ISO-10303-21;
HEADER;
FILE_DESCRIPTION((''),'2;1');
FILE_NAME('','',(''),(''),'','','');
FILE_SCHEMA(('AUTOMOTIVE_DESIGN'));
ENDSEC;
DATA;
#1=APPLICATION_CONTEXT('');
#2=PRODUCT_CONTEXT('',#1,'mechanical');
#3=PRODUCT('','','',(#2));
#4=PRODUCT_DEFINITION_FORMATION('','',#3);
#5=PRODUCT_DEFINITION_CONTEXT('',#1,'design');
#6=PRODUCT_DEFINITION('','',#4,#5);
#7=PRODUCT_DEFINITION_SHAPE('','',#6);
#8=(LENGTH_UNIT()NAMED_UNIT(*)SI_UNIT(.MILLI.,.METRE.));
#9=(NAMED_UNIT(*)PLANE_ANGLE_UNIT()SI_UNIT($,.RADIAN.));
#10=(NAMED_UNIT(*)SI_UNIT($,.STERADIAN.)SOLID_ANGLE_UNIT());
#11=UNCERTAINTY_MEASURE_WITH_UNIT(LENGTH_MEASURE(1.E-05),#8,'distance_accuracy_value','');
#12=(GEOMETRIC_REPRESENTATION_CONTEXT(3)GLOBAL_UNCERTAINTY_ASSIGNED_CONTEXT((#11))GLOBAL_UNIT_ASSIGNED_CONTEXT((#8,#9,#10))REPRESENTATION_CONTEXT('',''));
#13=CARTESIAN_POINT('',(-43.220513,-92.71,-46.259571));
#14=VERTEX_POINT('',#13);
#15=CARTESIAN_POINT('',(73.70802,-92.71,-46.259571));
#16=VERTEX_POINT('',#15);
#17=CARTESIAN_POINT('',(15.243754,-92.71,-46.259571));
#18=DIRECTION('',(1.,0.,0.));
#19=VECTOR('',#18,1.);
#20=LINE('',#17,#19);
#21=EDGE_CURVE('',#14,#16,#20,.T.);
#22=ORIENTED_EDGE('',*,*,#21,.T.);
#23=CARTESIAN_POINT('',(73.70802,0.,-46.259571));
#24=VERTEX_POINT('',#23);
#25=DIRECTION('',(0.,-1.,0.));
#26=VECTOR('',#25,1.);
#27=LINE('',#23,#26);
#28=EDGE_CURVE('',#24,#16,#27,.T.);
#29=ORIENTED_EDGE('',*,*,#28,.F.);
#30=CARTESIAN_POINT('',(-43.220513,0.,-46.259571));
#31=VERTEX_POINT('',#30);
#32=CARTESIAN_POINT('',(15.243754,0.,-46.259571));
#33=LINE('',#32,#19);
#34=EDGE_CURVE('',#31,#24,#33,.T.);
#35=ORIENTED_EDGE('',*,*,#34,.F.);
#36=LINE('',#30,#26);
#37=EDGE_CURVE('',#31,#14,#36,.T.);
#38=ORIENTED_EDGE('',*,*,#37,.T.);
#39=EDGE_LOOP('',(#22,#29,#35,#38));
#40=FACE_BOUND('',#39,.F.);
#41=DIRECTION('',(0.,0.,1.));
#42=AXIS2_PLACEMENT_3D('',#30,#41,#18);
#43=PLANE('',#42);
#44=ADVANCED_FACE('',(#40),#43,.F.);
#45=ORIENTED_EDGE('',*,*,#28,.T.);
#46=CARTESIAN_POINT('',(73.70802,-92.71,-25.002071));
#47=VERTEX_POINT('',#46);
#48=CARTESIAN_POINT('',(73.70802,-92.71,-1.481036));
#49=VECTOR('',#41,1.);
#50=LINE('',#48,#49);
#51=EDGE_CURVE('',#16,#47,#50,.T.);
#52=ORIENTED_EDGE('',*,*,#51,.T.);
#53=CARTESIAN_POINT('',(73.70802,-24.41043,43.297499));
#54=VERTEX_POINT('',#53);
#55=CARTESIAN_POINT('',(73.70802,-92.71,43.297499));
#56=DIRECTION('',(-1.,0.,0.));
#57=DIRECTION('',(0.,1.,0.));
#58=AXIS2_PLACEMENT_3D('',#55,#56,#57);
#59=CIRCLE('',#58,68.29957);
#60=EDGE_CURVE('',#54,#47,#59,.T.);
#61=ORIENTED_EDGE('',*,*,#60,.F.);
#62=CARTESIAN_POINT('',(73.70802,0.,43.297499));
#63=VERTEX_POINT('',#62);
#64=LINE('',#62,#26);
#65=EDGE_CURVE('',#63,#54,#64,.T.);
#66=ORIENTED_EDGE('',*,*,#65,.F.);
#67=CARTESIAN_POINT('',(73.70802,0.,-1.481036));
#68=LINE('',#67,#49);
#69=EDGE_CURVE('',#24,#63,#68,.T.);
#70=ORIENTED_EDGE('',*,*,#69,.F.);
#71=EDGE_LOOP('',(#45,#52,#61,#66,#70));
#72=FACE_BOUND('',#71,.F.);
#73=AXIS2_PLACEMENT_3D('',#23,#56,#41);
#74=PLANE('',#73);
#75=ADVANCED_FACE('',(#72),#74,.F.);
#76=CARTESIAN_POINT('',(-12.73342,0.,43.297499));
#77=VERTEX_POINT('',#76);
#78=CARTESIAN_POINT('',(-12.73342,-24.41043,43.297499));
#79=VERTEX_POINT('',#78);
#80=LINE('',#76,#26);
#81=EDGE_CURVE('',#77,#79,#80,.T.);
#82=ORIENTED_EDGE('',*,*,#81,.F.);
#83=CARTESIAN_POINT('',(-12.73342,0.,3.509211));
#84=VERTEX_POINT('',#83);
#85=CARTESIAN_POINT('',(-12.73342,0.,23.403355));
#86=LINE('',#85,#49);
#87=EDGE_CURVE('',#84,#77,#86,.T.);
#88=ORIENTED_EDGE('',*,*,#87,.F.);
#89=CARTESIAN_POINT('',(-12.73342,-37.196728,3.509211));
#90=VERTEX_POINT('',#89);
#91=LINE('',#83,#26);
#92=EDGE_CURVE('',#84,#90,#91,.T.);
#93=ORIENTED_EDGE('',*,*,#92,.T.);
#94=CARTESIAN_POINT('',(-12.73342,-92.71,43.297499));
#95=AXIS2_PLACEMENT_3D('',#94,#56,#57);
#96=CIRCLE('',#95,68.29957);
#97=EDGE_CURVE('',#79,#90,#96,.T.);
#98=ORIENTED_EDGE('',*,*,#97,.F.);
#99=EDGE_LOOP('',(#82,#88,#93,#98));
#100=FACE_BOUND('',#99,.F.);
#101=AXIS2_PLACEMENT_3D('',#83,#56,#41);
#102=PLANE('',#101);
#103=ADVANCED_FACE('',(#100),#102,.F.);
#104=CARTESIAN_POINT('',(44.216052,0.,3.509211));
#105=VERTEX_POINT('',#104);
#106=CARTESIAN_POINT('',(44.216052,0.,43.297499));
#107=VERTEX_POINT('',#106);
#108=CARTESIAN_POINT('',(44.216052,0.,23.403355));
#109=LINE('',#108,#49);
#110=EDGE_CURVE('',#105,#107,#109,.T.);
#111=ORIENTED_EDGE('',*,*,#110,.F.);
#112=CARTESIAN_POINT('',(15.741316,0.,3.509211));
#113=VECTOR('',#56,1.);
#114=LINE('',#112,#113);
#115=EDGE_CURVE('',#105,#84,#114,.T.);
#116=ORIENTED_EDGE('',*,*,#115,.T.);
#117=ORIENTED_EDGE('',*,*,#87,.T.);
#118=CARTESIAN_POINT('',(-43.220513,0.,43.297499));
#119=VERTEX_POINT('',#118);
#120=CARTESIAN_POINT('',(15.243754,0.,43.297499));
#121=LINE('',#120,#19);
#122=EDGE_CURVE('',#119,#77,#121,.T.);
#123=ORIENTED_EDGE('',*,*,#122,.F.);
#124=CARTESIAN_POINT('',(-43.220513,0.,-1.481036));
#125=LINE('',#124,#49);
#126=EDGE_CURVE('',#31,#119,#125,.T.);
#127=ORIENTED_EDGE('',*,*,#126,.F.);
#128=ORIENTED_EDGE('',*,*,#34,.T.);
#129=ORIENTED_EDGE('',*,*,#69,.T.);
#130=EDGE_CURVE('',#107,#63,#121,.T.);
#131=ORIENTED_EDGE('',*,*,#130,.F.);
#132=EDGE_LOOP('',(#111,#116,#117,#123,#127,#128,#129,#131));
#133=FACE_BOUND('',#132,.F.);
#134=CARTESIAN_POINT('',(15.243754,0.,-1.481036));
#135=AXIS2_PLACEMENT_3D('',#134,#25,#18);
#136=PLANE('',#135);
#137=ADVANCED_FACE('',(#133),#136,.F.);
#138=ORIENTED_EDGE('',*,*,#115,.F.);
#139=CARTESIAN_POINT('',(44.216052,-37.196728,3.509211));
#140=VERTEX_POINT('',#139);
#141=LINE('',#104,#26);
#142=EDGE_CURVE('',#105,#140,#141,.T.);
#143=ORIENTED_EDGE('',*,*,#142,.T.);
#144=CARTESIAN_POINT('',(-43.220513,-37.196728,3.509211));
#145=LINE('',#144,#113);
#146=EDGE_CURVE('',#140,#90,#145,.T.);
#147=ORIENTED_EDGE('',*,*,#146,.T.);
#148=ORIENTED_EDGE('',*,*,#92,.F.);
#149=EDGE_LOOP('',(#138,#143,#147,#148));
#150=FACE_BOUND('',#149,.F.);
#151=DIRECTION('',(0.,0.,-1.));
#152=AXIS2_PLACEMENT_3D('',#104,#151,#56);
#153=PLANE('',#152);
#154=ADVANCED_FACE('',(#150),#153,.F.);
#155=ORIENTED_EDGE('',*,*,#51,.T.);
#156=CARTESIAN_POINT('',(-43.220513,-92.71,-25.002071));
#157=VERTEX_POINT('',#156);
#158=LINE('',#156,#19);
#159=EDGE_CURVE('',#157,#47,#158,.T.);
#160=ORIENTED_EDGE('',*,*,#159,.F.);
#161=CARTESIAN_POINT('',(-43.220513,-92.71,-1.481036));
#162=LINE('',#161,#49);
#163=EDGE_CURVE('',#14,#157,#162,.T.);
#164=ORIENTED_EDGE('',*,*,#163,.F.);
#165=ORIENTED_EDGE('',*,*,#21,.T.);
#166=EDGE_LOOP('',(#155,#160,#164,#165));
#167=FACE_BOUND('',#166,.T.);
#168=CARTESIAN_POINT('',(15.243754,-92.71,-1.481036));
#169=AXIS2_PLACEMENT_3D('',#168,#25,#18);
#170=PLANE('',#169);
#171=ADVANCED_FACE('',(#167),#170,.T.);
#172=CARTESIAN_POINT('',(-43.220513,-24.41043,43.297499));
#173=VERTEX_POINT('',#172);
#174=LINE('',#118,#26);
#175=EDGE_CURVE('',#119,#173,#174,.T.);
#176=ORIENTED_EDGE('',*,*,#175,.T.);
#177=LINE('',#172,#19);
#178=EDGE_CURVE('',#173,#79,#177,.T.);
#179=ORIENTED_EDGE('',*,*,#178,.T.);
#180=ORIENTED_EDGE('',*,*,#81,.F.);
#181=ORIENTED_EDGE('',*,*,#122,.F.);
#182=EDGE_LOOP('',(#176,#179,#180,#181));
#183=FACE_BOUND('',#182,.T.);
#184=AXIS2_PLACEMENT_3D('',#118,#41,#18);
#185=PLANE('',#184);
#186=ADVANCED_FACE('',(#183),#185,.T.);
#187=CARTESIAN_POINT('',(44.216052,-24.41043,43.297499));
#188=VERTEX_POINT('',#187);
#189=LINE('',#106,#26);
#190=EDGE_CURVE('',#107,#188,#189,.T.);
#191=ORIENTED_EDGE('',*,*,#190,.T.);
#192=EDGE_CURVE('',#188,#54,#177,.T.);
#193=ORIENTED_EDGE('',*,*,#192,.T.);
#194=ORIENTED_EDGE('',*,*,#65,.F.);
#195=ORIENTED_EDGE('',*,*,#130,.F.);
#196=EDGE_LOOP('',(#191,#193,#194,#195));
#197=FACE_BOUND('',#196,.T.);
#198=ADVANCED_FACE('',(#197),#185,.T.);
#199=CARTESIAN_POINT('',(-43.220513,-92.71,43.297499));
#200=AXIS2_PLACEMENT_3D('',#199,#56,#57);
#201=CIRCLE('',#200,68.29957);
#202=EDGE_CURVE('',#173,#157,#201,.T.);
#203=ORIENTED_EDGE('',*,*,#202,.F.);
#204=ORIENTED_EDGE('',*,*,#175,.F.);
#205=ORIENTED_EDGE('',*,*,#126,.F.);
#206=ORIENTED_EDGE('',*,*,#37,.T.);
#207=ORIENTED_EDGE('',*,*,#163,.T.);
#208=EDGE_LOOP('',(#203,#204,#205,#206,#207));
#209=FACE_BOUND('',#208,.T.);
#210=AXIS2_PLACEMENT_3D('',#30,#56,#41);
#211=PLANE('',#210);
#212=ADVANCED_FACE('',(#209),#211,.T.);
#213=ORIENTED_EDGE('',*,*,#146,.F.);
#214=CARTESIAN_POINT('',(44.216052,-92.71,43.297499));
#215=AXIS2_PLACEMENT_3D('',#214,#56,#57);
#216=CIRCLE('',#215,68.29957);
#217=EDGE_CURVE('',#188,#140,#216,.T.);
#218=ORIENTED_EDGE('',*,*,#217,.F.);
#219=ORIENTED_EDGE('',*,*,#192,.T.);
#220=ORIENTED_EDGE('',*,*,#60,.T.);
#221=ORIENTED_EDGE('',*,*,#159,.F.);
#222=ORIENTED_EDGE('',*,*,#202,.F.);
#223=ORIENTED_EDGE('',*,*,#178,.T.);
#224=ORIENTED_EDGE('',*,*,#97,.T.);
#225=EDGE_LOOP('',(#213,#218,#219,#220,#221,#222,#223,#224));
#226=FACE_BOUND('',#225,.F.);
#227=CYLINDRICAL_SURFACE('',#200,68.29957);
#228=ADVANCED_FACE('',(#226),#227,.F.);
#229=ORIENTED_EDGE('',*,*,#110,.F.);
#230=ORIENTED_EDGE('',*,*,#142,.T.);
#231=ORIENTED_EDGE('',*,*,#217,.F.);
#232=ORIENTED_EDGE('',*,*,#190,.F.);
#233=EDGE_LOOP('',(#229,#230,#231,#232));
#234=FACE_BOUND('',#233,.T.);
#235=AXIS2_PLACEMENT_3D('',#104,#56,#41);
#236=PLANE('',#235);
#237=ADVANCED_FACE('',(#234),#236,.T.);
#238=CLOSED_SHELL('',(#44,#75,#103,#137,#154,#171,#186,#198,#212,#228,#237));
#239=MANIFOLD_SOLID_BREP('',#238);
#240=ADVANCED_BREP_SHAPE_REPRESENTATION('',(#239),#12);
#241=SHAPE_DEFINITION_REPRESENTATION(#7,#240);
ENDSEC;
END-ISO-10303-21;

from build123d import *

# Parameters (mm, degrees)
F0_W     = 116.9285327196
F0_H     = 89.5570702851
F1_DEPTH = 92.71
F3_DEPTH = 116.9295327196
F4_W     = 56.9494720548
F4_H     = 39.7882887628
F5_DEPTH = 92.711


with BuildPart() as f1:
    # F0 (on Front) → F1 (new body)
    with BuildSketch(Plane.XZ):
        with Locations((15.2437537909, -1.4810357243)):
            Rectangle(F0_W, F0_H)
    extrude(amount=F1_DEPTH)

    # F2 (on face) → F3 (cut, through all)
    with BuildSketch(Plane(origin=(-43.220512569, 0, 0), x_dir=(0, -1, 0), z_dir=(-1, 0, 0))):
        with BuildLine():
            ThreePointArc((92.71, -25.0020706653), (141.0050891582, -4.9975897399), (161.0095700836, 43.2974994183))
            ThreePointArc((161.0095700836, 43.2974994183), (92.71, 111.5970695018), (24.4104299164, 43.2974994183))
            Line((24.4104299164, 43.2974994183), (92.71, 43.2974994183))
            Line((92.71, 43.2974994183), (92.71, -25.0020706653))
        make_face()
        with BuildLine():
            Line((92.71, 43.2974994183), (24.4104299164, 43.2974994183))
            ThreePointArc((24.4104299164, 43.2974994183), (44.4149108418, -4.9975897399), (92.71, -25.0020706653))
            Line((92.71, -25.0020706653), (92.71, 43.2974994183))
        make_face()
    extrude(amount=-F3_DEPTH, mode=Mode.SUBTRACT)

    # F4 (on face) → F5 (cut, through all)
    with BuildSketch(Plane(origin=(0, 0, 0), x_dir=(-1, 0, 0), z_dir=(0, 1, 0))):
        with Locations((-15.7413156703, 23.4033550369)):
            Rectangle(F4_W, F4_H)
    extrude(amount=-F5_DEPTH, mode=Mode.SUBTRACT)


solid = f1.part
